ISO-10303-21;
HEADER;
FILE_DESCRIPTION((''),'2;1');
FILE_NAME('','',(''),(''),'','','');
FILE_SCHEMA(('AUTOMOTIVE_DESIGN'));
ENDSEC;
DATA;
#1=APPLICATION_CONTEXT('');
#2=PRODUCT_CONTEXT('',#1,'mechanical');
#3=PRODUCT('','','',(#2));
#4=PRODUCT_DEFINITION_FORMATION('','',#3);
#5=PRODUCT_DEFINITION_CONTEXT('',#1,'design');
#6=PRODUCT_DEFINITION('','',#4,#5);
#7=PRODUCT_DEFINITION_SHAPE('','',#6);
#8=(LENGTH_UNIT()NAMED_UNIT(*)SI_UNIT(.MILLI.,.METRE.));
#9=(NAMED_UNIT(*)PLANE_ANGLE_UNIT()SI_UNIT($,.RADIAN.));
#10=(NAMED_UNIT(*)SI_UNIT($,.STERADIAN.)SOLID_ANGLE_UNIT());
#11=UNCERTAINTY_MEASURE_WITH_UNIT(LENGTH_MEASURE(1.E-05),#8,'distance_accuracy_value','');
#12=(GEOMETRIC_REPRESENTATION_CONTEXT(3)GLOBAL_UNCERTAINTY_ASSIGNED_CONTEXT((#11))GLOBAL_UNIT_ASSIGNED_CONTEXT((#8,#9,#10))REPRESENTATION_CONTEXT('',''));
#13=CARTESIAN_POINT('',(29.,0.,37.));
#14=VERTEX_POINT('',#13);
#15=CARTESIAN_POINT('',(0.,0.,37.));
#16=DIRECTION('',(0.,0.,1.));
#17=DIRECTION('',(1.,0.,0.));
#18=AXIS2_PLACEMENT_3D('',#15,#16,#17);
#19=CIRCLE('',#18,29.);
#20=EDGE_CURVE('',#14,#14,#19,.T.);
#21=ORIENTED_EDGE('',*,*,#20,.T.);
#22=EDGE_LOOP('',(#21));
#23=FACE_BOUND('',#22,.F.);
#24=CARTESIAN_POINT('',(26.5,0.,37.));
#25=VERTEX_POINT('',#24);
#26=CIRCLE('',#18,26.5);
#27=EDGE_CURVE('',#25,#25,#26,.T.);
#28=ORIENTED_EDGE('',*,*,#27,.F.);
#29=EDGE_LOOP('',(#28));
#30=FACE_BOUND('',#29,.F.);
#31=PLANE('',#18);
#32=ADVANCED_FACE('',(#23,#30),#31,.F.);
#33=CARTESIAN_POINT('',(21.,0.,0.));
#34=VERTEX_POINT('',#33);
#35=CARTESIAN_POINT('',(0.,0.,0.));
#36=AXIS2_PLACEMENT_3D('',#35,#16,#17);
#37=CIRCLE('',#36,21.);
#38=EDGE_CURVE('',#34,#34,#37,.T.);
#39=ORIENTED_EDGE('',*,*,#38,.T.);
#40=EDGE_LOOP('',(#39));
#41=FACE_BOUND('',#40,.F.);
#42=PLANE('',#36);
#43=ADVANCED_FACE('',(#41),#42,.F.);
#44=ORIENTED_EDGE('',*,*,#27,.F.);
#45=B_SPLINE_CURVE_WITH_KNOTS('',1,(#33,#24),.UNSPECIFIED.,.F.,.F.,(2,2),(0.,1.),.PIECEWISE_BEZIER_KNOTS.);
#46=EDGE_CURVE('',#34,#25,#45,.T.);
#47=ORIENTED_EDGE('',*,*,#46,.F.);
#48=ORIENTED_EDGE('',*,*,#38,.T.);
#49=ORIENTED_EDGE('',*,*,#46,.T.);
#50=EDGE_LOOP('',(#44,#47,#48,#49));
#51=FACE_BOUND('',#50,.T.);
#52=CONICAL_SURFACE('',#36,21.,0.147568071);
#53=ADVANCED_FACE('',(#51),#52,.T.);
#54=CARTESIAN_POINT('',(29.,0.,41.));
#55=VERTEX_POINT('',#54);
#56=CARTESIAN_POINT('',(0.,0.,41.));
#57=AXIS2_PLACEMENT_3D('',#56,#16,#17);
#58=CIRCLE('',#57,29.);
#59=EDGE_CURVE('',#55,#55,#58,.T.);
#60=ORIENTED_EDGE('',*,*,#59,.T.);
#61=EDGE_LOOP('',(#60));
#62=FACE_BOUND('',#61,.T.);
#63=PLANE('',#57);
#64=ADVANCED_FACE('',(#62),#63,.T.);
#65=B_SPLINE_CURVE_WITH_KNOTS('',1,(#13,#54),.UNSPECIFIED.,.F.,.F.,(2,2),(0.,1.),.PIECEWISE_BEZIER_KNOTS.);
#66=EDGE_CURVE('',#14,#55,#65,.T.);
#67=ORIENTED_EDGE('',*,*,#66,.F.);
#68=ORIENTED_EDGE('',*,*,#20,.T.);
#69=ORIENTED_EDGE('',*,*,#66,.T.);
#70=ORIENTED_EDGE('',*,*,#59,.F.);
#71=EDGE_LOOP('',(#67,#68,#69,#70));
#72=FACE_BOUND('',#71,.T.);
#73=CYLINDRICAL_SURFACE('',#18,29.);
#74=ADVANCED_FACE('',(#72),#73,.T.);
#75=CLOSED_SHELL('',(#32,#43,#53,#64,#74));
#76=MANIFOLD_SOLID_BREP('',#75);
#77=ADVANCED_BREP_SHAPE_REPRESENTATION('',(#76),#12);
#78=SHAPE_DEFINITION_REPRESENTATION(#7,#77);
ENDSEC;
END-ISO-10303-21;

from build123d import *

# Parameters (mm, degrees)
F0_R = 21
F3_R = 26.5
F6_R = 29
F5_R = 29


with BuildPart() as f4:
    # F0 (on Top) → F4 section 0
    with BuildSketch(Plane.XY):
        Circle(F0_R)
    # F3 (on offset) → F4 section 1
    with BuildSketch(Plane.XY.offset(37)):
        Circle(F3_R)
    loft()

    # F6 (on offset) → F7 section 0
    with BuildSketch(Plane.XY.offset(37)):
        Circle(F6_R)
    # F5 (on offset) → F7 section 1
    with BuildSketch(Plane.XY.offset(41)):
        Circle(F5_R)
    loft()


solid = f4.part
